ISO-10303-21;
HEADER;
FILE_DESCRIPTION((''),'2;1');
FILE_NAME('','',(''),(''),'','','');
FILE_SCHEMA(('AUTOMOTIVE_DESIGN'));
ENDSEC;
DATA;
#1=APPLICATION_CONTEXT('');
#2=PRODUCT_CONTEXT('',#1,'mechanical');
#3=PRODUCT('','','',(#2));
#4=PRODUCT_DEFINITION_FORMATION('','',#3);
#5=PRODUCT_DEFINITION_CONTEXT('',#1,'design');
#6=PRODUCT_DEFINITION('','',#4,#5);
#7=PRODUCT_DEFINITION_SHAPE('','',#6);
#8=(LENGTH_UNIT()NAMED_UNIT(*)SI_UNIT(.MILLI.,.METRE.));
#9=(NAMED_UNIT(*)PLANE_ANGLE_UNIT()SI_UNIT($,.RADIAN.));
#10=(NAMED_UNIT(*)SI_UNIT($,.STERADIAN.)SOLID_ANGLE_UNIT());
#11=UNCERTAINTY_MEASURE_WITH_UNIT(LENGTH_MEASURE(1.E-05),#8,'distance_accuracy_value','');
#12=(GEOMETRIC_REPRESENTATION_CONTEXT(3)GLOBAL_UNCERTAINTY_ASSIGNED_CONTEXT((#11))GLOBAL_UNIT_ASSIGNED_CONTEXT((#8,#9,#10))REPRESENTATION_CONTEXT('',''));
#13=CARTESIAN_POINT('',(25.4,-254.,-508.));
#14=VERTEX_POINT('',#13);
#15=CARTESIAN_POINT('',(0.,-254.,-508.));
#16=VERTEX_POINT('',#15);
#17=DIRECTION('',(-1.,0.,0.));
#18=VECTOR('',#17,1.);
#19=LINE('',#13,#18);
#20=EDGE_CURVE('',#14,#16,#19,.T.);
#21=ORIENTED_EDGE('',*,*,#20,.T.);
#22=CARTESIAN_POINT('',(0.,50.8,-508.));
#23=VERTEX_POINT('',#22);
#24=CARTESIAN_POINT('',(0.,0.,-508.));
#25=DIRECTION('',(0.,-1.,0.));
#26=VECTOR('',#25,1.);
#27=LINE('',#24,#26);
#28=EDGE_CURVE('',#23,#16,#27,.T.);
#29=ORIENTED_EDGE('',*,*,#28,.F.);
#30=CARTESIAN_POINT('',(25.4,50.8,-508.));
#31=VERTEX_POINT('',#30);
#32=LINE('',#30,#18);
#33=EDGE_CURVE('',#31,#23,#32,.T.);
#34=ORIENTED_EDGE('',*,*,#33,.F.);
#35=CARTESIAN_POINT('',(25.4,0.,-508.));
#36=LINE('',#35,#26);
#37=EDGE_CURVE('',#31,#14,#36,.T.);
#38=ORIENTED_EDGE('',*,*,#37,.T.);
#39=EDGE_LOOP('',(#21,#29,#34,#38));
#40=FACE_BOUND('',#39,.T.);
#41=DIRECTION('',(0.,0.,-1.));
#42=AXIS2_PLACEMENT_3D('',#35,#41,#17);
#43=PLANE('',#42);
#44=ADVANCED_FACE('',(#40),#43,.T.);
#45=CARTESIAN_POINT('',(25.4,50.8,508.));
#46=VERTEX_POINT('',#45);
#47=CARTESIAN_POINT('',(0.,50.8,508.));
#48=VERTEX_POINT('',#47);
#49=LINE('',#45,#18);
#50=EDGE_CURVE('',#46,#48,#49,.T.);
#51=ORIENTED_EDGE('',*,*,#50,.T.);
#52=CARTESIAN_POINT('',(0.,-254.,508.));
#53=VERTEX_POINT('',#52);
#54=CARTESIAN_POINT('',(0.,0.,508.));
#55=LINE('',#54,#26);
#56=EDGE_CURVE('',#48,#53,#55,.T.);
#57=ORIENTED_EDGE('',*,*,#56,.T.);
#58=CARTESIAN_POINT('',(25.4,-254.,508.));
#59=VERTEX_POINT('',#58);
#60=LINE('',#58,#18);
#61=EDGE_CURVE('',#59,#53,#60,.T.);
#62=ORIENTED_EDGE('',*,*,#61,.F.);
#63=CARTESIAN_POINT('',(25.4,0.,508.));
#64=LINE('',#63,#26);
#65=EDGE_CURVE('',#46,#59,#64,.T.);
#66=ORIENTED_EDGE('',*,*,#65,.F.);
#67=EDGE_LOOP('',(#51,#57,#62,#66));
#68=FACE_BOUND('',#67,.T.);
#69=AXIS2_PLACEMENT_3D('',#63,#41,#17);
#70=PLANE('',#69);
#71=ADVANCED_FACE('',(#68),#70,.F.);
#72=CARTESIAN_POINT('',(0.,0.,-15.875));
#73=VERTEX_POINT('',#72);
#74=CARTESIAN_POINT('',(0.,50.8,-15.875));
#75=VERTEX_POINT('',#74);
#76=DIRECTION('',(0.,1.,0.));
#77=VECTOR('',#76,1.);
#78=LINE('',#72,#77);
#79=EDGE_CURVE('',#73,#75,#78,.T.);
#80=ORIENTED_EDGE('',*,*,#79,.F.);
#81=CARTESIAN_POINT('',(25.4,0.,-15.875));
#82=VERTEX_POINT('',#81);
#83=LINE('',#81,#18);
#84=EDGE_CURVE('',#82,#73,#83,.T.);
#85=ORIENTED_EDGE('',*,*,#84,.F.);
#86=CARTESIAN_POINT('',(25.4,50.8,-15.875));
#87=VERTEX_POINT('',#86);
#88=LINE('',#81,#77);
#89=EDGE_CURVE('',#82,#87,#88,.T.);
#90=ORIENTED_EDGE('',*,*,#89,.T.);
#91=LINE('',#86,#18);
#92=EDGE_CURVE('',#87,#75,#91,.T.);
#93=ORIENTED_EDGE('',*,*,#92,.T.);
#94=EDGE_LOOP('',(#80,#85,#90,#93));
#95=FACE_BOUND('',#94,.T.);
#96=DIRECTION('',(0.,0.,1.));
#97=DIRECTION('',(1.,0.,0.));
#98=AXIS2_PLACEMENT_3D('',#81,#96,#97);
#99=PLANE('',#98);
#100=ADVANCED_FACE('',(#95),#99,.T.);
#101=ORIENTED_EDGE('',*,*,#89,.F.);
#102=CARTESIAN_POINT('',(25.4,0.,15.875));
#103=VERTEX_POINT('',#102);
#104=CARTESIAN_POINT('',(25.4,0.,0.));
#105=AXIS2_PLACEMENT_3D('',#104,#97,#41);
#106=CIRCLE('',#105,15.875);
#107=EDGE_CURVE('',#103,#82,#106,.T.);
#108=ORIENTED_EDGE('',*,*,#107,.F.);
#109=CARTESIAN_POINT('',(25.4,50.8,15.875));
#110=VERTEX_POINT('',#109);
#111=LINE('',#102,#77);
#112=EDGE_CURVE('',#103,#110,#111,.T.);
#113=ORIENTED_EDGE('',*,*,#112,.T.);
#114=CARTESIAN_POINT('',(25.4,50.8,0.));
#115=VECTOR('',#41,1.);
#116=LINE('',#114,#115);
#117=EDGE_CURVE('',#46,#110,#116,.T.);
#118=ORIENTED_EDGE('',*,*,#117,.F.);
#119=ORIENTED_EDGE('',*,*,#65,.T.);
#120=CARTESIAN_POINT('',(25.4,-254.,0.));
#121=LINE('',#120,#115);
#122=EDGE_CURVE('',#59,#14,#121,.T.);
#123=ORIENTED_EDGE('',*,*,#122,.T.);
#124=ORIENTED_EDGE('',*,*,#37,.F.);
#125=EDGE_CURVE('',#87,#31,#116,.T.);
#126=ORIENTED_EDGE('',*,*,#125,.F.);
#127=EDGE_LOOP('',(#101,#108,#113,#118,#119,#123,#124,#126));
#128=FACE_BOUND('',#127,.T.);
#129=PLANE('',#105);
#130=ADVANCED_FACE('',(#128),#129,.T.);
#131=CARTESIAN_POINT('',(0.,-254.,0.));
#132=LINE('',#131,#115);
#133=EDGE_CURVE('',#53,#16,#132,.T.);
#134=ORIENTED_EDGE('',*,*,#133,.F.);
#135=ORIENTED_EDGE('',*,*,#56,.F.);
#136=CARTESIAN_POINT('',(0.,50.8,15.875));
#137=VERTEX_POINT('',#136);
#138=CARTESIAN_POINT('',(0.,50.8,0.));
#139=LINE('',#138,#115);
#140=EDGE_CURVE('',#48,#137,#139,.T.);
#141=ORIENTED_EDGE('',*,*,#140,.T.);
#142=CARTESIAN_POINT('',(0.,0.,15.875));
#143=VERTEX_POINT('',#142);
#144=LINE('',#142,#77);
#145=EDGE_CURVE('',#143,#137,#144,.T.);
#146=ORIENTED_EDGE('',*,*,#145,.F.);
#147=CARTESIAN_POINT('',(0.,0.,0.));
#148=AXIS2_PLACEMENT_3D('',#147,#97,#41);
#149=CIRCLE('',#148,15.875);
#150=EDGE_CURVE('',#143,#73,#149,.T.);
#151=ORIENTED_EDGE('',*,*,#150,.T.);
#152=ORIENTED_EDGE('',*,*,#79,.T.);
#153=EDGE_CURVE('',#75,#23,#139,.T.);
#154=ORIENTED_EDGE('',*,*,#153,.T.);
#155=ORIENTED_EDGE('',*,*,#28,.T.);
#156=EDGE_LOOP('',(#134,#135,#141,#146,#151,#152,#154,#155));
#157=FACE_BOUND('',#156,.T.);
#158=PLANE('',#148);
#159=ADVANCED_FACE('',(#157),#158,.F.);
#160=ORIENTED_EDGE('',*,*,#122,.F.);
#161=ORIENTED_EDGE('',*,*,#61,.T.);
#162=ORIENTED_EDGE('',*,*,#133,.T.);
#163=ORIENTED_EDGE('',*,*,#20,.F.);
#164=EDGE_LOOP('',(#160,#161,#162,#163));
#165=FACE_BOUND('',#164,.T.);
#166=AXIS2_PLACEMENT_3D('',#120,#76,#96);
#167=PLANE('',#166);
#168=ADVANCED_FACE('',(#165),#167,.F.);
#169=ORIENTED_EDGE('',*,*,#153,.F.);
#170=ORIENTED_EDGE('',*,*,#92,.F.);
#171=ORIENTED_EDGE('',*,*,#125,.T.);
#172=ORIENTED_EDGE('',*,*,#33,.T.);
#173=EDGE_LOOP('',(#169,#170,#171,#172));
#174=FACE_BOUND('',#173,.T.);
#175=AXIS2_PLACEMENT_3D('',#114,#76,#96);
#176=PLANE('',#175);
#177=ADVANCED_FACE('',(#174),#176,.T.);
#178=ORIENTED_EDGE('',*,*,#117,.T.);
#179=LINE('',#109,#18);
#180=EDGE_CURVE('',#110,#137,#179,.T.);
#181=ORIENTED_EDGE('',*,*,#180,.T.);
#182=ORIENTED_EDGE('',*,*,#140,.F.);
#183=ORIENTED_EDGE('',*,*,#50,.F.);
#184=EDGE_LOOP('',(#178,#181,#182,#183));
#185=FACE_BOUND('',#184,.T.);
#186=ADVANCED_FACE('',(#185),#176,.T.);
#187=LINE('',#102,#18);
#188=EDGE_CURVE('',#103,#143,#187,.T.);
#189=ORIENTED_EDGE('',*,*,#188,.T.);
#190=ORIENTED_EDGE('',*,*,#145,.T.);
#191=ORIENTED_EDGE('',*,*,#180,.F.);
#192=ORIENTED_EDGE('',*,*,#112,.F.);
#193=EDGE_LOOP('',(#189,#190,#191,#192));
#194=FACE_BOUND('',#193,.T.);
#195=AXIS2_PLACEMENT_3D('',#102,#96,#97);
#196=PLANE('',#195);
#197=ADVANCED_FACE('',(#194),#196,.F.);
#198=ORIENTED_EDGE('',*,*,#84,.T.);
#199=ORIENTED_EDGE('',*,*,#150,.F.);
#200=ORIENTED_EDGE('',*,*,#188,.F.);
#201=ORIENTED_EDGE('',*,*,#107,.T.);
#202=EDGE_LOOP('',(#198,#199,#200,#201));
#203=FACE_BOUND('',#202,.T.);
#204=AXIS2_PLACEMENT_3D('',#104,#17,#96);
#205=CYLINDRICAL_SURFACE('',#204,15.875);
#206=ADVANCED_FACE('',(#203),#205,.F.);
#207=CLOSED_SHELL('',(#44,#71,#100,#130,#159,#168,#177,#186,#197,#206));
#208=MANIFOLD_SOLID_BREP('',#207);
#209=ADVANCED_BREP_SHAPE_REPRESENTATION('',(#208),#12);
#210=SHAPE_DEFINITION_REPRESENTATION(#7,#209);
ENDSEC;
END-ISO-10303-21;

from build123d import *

# Parameters (mm, degrees)
BOSS_EXTRUDE1_DEPTH = 25.4


with BuildPart() as part:
    # Sketch1 → Boss-Extrude1 (new body)
    with BuildSketch(Plane(origin=(0, 0, 0), x_dir=(0, 0, -1), z_dir=(1, 0, 0))):
        with BuildLine():
            ThreePointArc((15.875, 0), (0, -15.875), (-15.875, 0))
            Line((-15.875, 0), (-15.875, 50.8))
            Line((-15.875, 50.8), (-508, 50.8))
            Line((-508, 50.8), (-508, -254))
            Line((-508, -254), (508, -254))
            Line((508, -254), (508, 50.8))
            Line((508, 50.8), (15.875, 50.8))
            Line((15.875, 50.8), (15.875, 0))
        make_face()
    extrude(amount=BOSS_EXTRUDE1_DEPTH)


solid = part.part
